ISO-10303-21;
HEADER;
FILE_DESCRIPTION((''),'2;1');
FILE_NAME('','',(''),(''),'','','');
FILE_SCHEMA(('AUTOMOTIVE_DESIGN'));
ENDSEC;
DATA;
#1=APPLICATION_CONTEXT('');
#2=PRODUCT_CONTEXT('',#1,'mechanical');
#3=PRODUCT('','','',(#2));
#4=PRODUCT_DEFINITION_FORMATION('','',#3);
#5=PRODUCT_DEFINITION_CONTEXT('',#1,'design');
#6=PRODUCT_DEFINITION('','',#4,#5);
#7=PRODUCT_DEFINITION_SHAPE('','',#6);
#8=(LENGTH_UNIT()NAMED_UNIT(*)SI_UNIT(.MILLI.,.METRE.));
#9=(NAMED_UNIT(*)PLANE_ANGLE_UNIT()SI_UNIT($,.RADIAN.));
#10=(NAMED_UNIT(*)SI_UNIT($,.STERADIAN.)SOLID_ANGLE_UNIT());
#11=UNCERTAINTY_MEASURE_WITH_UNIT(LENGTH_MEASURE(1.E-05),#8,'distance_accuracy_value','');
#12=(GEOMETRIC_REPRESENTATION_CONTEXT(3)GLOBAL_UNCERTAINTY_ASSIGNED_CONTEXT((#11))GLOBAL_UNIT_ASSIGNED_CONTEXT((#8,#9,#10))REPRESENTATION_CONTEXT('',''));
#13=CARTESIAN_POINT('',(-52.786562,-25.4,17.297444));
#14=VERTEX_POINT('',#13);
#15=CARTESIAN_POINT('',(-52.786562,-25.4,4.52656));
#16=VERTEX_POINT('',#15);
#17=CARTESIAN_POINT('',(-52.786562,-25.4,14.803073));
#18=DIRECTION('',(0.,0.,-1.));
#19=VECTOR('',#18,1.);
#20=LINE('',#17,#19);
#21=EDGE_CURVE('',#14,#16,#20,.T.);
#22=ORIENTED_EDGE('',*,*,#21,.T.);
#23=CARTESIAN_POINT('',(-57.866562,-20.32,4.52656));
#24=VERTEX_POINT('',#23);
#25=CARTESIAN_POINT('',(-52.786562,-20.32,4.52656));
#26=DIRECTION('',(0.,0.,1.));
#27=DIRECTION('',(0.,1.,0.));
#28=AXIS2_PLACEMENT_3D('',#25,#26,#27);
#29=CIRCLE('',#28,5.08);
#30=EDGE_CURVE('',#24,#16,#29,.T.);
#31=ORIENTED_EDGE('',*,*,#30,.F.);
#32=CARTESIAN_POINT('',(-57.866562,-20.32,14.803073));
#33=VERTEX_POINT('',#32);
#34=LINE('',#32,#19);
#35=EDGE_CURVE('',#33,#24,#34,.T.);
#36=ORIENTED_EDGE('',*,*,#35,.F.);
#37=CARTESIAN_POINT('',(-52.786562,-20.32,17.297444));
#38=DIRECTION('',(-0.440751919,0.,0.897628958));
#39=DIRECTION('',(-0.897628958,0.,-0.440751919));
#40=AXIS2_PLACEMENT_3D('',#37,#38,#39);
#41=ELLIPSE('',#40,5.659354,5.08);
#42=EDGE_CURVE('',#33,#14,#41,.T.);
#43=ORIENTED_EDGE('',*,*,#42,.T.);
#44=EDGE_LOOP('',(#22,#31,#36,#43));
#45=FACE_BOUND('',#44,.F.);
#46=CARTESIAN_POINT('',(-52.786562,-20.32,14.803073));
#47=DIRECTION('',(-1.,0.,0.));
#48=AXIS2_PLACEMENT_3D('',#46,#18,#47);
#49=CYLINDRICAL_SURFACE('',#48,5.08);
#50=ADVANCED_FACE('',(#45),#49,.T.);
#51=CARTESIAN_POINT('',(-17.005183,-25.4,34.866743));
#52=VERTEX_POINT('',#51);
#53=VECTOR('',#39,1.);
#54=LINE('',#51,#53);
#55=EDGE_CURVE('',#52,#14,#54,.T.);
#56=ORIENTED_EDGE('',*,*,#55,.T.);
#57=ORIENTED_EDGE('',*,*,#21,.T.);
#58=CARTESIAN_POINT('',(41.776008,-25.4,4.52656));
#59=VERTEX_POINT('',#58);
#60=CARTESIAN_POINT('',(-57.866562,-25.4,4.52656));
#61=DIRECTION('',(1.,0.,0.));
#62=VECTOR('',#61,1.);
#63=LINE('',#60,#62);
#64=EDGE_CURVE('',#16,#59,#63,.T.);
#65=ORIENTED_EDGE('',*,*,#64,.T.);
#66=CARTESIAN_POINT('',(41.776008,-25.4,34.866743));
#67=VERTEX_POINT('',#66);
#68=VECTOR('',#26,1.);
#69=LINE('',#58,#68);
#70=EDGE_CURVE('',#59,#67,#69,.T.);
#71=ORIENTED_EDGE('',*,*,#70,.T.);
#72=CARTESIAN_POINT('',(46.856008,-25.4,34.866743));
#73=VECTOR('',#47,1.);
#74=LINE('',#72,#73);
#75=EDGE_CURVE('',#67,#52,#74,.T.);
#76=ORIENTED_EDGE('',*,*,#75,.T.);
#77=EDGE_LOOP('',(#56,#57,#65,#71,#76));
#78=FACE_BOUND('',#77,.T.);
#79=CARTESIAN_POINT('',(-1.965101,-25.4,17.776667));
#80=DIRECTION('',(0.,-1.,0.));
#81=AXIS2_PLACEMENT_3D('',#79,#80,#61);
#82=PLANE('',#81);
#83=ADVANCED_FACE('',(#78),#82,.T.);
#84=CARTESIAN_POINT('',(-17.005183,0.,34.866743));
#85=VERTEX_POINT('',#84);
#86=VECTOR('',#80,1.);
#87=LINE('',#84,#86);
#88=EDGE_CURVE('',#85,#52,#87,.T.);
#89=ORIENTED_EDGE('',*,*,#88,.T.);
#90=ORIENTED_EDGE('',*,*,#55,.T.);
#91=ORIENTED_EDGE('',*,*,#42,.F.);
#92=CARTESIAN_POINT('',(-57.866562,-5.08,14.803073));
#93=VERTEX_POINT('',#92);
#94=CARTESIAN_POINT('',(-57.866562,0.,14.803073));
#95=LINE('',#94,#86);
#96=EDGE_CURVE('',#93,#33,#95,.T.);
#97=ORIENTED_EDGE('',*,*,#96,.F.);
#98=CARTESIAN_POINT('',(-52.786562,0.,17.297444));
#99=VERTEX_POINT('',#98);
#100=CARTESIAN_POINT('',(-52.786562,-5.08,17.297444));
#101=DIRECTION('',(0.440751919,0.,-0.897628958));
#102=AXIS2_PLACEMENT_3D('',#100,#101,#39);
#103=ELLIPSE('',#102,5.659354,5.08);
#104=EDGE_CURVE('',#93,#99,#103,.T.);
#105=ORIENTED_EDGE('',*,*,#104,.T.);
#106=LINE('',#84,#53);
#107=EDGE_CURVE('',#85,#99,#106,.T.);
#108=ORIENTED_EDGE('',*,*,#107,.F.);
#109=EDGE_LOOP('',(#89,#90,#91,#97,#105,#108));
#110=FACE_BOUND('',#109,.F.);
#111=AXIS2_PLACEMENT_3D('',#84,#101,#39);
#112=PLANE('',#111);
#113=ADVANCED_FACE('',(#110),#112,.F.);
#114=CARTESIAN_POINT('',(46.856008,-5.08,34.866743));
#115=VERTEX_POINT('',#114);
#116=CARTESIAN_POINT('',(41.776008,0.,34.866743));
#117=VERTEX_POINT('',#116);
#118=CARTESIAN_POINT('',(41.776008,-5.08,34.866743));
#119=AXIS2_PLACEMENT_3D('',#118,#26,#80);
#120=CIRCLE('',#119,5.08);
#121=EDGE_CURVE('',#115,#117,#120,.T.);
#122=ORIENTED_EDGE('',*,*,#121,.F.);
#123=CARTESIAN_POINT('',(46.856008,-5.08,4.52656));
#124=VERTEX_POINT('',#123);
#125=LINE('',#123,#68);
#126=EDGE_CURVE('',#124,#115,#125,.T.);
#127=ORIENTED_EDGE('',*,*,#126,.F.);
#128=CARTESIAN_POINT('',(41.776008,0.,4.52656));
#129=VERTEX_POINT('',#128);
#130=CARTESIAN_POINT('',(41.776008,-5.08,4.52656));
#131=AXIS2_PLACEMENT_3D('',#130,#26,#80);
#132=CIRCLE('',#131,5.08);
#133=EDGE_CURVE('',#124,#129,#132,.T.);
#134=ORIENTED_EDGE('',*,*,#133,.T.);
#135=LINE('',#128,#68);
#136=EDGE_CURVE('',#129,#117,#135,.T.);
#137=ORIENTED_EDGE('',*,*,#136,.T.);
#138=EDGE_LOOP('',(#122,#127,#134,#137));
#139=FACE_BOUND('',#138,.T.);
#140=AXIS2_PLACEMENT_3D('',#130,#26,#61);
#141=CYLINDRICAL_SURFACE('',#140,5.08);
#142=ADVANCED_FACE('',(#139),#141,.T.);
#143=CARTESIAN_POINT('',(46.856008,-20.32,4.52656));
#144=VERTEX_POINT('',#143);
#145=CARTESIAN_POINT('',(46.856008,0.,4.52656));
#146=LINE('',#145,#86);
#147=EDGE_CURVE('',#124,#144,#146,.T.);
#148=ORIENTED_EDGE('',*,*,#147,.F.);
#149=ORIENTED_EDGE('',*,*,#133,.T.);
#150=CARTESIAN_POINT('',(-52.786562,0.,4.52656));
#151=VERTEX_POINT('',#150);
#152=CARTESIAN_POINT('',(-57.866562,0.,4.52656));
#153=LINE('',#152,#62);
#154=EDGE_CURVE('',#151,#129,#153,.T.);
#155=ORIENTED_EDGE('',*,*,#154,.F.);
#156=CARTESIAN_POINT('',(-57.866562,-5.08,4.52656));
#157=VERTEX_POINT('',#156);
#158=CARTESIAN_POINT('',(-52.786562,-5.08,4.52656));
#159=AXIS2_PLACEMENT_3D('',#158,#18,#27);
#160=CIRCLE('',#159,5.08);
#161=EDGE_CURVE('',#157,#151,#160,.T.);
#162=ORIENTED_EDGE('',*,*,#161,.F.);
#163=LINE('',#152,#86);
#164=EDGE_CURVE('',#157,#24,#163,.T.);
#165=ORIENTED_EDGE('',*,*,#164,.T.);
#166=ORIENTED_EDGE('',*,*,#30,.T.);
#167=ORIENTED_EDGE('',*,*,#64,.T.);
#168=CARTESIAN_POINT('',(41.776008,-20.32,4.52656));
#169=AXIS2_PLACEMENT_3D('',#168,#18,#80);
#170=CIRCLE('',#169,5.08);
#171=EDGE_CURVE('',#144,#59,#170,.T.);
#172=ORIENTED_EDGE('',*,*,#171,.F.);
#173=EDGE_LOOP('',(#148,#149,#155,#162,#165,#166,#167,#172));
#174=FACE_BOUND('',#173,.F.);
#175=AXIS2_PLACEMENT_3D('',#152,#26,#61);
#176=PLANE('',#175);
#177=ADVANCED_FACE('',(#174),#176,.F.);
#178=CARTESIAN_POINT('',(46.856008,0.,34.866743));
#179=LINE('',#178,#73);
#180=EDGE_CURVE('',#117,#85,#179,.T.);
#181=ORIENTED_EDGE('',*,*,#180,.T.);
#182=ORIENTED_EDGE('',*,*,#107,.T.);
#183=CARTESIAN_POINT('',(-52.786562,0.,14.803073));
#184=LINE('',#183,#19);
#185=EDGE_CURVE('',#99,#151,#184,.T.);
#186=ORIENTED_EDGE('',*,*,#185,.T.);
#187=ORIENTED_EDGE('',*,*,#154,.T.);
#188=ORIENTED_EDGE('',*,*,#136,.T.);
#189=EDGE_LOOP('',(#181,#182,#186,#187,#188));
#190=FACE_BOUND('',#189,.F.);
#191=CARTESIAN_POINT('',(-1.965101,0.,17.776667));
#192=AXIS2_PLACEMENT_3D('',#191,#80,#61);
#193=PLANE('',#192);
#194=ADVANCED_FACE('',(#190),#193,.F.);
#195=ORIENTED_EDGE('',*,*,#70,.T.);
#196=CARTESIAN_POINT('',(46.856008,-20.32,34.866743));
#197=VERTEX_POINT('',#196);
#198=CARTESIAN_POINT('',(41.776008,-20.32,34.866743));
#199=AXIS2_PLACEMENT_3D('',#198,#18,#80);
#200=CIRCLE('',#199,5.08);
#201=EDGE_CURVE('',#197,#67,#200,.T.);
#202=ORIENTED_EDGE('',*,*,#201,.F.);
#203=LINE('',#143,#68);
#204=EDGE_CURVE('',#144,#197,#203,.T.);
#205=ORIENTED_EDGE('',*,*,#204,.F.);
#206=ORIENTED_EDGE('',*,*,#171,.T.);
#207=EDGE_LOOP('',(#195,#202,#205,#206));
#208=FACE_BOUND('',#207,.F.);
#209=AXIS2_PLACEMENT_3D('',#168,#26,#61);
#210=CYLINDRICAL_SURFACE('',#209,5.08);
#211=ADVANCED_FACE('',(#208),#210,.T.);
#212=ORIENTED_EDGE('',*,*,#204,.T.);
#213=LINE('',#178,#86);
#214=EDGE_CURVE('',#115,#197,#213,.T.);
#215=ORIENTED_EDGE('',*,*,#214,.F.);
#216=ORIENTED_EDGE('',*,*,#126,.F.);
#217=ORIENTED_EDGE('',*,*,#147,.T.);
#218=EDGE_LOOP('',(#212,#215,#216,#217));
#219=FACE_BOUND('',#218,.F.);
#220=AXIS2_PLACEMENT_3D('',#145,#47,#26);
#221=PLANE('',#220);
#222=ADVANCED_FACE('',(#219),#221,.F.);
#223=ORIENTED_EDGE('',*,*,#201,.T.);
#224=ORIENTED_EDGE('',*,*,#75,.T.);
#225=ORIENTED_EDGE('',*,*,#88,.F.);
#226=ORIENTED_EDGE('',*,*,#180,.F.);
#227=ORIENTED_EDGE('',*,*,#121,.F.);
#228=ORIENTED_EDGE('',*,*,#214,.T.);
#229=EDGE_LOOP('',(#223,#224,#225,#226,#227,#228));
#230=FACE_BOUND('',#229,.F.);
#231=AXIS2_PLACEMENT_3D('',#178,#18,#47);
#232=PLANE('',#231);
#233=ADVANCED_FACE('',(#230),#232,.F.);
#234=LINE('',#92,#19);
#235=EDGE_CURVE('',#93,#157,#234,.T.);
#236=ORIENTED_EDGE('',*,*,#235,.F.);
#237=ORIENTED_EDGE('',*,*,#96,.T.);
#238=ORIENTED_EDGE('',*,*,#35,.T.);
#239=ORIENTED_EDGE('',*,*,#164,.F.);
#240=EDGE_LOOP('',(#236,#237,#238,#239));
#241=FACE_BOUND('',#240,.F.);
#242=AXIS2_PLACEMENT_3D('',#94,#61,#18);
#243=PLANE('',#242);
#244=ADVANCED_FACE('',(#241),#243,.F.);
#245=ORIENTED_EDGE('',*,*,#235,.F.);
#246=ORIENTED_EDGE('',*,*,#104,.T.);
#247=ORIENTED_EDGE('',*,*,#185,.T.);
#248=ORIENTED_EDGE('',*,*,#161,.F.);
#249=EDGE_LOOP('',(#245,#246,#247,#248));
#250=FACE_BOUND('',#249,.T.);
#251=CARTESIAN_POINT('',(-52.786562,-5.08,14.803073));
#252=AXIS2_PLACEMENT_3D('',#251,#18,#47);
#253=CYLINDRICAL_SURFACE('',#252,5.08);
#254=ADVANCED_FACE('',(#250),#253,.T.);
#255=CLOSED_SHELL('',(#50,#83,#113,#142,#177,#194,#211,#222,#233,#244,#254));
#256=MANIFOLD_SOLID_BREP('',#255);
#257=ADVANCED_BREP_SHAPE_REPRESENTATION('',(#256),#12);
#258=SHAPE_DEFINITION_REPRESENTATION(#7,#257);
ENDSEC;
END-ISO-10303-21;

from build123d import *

# Parameters (mm, degrees)
F1_DEPTH = 25.4
F2_R     = 5.08


with BuildPart() as f1:
    # F0 (on Front) → F1 (new body)
    with BuildSketch(Plane.XZ):
        Polygon((-17.005183, 34.866743), (-57.866562, 14.803073), (-57.866562, 9.664817), (-57.866562, 4.52656), (46.856008, 4.52656), (46.856008, 34.866743), align=None)
    extrude(amount=F1_DEPTH)

    # F2
    f2_edges = [f1.edges().sort_by_distance(p)[0] for p in [
        (-57.866562, -25.4, 9.664817),
        (-57.866562, 0, 9.664817),
        (46.856008, -25.4, 19.696651),
        (46.856008, 0, 19.696651),
    ]]
    fillet(f2_edges, radius=F2_R)


solid = f1.part
